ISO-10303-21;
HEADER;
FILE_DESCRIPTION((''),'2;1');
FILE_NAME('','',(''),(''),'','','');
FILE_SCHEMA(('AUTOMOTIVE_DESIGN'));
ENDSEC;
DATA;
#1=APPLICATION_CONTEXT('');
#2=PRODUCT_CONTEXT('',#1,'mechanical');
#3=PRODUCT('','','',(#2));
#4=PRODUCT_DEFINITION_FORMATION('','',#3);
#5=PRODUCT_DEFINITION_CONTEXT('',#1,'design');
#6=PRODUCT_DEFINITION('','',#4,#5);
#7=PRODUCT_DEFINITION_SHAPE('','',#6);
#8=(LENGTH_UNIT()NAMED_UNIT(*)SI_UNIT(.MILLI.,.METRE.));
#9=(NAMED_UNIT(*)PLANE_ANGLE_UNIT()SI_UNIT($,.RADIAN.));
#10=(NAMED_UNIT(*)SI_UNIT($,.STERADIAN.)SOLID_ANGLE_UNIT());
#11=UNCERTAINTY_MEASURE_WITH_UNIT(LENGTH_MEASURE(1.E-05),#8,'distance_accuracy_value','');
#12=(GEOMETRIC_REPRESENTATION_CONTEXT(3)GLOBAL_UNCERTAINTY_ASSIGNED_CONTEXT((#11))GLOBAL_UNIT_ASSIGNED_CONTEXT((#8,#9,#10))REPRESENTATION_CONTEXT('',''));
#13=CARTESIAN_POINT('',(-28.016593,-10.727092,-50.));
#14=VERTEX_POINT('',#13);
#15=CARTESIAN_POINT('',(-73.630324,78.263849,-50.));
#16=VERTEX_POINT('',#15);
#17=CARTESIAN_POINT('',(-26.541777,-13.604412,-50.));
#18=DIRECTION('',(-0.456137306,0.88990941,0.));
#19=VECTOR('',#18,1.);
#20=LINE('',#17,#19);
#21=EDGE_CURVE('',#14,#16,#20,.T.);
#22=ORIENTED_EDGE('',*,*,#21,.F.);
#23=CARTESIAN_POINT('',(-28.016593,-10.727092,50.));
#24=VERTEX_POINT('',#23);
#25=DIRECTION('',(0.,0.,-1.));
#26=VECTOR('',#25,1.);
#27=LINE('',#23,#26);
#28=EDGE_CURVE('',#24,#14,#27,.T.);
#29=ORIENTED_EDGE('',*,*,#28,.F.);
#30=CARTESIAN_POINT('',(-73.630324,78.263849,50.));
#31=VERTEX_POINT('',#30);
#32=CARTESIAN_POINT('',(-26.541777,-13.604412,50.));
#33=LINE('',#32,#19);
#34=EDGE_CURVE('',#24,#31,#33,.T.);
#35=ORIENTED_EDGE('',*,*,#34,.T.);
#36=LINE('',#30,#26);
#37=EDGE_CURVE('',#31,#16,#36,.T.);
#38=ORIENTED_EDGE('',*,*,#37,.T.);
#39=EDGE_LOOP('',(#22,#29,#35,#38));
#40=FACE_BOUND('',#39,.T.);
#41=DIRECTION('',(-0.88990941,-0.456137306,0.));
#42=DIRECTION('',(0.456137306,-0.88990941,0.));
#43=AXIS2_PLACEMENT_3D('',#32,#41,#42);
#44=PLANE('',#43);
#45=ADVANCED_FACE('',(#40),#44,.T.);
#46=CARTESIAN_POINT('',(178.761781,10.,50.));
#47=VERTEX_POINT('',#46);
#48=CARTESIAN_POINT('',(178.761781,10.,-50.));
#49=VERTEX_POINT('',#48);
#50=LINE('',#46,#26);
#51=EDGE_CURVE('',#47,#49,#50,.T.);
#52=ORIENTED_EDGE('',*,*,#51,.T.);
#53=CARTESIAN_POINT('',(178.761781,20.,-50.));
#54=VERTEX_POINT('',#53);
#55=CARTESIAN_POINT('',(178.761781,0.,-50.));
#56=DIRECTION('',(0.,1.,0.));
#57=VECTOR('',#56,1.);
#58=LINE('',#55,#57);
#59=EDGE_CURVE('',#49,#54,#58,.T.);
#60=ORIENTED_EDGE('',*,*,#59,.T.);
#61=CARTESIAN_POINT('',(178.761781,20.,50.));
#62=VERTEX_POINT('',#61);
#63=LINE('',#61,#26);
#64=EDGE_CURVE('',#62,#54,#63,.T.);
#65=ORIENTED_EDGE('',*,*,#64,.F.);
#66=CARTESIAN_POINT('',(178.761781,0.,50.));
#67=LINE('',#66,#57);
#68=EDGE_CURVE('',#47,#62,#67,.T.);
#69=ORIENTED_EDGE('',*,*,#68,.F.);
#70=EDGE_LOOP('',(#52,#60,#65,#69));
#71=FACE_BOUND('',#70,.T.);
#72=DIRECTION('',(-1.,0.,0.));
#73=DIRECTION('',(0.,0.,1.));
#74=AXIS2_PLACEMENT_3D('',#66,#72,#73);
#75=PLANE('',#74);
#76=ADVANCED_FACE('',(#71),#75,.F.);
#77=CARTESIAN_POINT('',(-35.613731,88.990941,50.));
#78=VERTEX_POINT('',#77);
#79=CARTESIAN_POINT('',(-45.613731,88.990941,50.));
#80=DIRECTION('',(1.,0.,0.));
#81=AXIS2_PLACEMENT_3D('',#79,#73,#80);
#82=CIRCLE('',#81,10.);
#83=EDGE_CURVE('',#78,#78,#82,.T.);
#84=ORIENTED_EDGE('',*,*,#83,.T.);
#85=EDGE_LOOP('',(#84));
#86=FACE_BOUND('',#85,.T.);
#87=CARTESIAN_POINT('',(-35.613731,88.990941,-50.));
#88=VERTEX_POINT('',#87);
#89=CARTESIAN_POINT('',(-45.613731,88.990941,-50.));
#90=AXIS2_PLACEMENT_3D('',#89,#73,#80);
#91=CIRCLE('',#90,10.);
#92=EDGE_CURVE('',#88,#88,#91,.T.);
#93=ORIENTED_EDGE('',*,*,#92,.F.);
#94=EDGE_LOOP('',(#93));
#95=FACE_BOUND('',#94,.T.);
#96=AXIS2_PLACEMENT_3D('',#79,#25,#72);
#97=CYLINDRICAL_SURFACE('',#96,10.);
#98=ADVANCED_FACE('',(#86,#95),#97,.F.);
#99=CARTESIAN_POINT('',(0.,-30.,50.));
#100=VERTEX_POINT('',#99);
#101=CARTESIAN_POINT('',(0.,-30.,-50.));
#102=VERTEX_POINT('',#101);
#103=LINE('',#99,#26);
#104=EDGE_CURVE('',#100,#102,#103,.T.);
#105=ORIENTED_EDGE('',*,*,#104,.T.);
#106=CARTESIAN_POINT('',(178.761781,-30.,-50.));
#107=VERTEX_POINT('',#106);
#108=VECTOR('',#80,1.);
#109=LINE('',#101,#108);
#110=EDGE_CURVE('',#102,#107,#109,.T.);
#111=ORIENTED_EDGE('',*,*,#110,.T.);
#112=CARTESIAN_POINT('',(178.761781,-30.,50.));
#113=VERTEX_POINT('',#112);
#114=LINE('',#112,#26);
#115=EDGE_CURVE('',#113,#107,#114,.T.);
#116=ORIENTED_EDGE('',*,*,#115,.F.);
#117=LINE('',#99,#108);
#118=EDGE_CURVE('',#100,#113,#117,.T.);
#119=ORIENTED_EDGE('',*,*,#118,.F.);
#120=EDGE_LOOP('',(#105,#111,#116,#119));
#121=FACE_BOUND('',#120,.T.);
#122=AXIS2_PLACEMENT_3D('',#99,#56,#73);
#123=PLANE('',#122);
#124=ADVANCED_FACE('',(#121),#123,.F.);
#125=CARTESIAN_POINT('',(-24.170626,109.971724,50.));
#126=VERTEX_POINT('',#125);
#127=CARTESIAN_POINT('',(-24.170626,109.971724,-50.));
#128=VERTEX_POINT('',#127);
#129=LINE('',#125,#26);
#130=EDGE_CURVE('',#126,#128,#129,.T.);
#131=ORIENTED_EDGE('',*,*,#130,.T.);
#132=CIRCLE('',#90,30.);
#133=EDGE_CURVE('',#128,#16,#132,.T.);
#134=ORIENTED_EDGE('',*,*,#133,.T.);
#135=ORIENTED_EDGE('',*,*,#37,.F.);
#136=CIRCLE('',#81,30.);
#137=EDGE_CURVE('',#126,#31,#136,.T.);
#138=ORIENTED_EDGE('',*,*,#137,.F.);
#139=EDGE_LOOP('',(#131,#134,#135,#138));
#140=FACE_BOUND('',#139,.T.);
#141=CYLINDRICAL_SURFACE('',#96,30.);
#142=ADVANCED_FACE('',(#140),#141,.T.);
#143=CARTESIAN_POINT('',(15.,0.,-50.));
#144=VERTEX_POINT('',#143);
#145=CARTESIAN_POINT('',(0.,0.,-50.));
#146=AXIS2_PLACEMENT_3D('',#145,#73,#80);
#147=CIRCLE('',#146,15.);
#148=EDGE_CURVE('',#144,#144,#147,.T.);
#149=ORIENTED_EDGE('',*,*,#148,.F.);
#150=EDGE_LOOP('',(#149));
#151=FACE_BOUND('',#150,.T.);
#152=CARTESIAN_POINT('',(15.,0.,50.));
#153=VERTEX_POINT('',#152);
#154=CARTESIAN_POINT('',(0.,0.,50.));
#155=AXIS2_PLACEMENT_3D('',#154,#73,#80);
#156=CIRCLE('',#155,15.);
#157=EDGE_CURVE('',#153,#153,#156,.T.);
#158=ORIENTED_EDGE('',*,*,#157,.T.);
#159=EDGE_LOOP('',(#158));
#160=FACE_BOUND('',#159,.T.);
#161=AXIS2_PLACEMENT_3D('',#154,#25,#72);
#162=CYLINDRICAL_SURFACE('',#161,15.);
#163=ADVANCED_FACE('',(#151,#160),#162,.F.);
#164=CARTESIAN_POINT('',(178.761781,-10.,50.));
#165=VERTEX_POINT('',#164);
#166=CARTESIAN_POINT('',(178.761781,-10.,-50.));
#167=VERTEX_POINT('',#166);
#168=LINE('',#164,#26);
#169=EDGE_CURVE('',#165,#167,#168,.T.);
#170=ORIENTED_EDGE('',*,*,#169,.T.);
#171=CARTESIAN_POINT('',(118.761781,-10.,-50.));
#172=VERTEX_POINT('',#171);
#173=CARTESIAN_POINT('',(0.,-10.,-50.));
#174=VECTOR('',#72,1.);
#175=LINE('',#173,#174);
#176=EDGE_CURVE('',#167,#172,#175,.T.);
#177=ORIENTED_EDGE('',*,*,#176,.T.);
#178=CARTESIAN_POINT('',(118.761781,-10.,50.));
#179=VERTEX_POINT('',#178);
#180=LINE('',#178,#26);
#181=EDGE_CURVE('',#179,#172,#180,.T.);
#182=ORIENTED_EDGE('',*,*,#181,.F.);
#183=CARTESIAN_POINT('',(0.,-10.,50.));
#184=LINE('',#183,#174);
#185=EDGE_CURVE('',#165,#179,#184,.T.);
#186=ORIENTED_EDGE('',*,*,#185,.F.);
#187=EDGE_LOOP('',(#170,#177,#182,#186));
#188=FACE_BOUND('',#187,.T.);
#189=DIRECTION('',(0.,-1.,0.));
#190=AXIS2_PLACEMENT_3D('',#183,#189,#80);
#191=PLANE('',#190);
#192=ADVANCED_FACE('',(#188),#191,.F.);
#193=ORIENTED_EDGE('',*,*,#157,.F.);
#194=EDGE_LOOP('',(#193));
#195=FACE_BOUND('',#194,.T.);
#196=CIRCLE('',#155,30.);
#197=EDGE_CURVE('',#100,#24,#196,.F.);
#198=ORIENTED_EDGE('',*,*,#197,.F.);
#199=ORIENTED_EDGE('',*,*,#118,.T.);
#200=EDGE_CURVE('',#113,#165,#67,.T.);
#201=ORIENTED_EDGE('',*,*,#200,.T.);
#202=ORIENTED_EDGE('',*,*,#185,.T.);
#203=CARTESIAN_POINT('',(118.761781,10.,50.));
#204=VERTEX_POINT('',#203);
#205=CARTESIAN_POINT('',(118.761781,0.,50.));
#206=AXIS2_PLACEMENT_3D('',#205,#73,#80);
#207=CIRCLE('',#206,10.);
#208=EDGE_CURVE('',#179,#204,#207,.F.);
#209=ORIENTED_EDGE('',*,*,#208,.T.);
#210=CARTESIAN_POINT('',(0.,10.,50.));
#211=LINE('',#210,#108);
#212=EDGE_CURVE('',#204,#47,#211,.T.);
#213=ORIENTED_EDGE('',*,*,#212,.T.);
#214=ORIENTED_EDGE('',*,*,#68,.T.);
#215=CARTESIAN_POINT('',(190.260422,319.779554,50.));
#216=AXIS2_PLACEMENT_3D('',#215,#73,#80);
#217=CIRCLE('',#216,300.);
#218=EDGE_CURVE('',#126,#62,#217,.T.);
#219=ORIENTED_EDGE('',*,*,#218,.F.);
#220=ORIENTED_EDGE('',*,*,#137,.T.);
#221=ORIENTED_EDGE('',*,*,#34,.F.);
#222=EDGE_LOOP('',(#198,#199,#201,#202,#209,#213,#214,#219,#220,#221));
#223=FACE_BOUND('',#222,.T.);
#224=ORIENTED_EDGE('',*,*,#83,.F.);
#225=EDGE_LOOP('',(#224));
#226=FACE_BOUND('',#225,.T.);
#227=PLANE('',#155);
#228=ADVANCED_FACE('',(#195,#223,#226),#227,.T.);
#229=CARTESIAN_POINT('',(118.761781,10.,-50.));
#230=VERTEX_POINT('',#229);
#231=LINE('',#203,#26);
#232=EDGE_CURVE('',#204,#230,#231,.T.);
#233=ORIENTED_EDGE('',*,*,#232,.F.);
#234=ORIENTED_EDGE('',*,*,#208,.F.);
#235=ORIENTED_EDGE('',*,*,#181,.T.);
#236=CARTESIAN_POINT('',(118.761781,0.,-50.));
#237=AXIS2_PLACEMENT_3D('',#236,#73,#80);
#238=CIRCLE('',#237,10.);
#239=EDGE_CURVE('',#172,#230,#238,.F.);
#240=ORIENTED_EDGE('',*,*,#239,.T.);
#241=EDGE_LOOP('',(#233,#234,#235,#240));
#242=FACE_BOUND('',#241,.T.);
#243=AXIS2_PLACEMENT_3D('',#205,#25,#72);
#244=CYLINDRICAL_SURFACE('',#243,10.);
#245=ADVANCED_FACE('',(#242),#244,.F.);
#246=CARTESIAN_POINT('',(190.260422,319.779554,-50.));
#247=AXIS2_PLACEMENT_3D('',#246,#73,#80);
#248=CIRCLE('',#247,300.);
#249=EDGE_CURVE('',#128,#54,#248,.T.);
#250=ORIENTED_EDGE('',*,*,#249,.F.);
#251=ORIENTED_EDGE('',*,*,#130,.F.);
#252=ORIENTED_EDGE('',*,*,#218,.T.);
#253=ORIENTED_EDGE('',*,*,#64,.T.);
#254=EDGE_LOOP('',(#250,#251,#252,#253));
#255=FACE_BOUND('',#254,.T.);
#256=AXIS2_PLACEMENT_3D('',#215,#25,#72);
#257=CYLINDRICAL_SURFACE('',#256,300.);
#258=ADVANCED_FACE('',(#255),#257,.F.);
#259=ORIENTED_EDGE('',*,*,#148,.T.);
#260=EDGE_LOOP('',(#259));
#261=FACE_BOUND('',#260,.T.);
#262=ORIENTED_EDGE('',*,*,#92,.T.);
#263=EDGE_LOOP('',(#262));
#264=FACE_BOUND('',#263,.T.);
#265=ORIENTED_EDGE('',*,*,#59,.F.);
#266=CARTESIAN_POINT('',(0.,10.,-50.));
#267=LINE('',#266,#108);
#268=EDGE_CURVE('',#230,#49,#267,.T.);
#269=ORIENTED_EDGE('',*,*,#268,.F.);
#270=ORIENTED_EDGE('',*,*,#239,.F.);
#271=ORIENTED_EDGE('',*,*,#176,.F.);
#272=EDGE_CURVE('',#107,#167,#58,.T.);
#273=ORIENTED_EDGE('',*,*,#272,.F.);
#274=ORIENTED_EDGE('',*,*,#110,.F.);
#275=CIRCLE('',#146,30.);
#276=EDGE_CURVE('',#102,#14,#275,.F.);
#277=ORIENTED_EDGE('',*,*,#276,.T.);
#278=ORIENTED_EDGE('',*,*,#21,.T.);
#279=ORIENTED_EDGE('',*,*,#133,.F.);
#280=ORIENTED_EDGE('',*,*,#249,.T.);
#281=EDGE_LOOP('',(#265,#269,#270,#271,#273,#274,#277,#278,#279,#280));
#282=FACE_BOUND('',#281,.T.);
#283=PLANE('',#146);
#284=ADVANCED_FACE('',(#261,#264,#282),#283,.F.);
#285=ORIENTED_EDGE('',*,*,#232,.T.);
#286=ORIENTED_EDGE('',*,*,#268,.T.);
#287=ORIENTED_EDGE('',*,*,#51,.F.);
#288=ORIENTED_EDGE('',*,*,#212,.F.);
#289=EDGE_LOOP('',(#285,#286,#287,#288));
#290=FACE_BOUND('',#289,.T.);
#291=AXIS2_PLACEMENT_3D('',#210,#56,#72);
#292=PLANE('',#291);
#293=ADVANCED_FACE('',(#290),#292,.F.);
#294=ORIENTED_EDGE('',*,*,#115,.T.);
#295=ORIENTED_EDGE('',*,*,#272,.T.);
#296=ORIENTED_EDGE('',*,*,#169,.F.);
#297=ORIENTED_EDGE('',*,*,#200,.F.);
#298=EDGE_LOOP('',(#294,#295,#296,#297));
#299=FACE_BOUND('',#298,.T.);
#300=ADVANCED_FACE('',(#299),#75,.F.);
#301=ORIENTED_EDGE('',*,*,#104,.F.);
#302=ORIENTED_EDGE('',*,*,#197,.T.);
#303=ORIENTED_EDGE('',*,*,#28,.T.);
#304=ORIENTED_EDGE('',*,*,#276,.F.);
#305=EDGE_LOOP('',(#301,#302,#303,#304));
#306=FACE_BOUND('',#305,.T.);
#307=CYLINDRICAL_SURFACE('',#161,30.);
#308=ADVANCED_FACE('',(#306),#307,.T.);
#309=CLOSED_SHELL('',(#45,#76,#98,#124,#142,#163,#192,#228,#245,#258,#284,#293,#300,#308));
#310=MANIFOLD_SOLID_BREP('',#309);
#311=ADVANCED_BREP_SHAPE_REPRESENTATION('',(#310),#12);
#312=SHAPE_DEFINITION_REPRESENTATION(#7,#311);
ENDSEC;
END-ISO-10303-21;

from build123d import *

# Parameters (mm, degrees)
SKETCH3_R           = 15
SKETCH3_R_2         = 10
BOSS_EXTRUDE1_DEPTH = 50


with BuildPart() as part:
    # Sketch3 → Boss-Extrude1 (new, symmetric)
    with BuildSketch(Plane.XY):
        with BuildLine():
            ThreePointArc((-28.016593122, -10.72709233), (-17.002753161, -24.716520486), (0, -30))
            Line((0, -30), (178.761781376, -30))
            Line((178.761781376, -30), (178.761781376, -10))
            Line((178.761781376, -10), (118.761781376, -10))
            ThreePointArc((118.761781376, -10), (108.761781376, 0), (118.761781376, 10))
            Line((118.761781376, 10), (178.761781376, 10))
            Line((178.761781376, 10), (178.761781376, 20))
            ThreePointArc((178.761781376, 20), (68.667725633, 45.525627999), (-24.170625815, 109.971724042))
            ThreePointArc((-24.170625815, 109.971724042), (-61.804778357, 114.246632888), (-73.630323726, 78.263848671))
            Line((-73.630323726, 78.263848671), (-70.680690942, 72.509208706))
            Line((-70.680690942, 72.509208706), (-28.016593122, -10.72709233))
        make_face()
        Circle(SKETCH3_R, mode=Mode.SUBTRACT)
        with Locations((-45.613730605, 88.990941002)):
            Circle(SKETCH3_R_2, mode=Mode.SUBTRACT)
    extrude(amount=BOSS_EXTRUDE1_DEPTH, both=True)


solid = part.part
